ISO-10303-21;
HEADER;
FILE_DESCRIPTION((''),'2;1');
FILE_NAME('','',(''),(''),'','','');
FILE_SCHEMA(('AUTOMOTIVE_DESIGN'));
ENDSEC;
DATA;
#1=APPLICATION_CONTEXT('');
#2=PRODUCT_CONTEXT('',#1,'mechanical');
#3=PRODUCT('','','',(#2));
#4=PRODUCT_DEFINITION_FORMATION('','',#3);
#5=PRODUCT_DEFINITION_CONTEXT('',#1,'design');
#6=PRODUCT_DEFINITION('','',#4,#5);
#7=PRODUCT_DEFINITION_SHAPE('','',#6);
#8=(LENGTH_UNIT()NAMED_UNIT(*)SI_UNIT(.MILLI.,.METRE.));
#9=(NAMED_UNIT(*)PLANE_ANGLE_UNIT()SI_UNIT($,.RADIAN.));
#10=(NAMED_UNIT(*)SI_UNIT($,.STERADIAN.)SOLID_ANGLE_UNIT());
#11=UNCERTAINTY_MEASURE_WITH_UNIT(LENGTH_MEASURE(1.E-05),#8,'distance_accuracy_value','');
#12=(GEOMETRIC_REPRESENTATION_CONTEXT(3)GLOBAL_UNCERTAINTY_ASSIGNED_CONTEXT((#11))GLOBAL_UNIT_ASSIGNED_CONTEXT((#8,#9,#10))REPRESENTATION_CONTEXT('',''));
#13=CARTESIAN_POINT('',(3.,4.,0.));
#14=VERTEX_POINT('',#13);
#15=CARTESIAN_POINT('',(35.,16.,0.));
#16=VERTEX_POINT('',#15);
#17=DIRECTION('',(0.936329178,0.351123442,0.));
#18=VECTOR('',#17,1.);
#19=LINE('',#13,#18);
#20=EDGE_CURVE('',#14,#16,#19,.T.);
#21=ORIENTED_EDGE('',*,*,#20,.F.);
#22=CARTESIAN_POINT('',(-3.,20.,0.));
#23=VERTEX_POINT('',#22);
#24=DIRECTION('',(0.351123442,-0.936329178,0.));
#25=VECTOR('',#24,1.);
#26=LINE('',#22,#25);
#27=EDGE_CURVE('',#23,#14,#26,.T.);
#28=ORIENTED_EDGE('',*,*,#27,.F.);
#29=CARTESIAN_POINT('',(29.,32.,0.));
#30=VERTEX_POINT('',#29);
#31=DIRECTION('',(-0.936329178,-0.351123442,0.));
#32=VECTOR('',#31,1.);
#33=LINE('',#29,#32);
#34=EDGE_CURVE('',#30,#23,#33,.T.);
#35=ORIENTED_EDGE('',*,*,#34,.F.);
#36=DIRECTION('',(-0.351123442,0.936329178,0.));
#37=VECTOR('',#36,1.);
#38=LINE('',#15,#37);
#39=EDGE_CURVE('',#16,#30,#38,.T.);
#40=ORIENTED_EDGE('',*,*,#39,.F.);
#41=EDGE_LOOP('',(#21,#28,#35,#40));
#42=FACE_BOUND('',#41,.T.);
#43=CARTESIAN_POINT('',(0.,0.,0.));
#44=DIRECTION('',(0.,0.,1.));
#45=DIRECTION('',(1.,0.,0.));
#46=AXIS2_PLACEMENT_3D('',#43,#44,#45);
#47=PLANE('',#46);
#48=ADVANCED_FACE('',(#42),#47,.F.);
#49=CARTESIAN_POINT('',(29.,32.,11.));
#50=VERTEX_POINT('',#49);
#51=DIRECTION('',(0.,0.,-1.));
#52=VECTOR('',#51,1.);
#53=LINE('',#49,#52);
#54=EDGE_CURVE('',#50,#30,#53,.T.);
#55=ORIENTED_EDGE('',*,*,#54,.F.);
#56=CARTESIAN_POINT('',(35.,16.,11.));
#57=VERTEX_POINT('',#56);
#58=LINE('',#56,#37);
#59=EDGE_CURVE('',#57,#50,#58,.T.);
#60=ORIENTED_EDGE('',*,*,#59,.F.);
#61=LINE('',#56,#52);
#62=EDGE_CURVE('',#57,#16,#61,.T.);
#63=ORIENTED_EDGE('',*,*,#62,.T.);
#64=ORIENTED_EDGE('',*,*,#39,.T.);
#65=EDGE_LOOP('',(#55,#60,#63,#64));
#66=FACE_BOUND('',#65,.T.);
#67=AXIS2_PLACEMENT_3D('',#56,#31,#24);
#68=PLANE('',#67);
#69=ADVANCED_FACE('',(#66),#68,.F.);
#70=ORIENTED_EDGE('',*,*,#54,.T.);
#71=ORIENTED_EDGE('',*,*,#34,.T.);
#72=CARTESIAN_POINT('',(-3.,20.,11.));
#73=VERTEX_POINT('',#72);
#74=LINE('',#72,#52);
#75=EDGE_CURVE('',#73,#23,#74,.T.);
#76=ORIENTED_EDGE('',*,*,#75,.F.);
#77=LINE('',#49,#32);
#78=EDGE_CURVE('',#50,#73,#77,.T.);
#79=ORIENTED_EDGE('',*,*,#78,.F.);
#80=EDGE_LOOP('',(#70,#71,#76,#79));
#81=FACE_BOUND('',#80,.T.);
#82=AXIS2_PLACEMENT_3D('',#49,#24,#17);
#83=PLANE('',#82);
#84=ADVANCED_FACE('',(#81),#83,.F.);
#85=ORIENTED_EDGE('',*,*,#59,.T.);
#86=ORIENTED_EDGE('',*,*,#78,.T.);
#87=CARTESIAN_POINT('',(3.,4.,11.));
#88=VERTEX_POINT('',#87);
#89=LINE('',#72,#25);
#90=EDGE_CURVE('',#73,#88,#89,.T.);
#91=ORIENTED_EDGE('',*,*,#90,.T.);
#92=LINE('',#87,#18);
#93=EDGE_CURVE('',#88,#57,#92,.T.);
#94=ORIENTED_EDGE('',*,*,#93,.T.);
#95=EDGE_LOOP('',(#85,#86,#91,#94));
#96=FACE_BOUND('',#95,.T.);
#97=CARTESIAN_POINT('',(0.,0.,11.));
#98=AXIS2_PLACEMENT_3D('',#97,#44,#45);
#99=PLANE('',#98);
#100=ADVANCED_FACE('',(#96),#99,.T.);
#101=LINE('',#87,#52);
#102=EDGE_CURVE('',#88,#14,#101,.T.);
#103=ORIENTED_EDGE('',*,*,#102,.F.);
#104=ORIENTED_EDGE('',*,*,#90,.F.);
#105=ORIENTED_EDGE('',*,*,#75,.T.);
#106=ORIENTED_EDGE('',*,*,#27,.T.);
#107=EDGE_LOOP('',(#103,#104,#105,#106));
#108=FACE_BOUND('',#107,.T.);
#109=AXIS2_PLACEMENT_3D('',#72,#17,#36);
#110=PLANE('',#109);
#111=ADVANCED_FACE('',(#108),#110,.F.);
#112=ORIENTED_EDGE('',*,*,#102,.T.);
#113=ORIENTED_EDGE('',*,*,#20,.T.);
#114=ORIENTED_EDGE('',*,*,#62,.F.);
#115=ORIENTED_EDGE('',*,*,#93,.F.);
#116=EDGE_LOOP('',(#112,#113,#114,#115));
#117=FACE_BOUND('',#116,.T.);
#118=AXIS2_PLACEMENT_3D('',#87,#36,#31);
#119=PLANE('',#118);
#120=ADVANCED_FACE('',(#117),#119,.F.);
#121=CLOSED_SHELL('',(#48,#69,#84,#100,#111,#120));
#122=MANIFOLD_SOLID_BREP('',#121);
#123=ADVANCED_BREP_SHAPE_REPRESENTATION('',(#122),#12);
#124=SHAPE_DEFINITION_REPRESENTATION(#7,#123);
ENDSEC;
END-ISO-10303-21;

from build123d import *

# Parameters (mm, degrees)
BOSS_EXTRUDE1_DEPTH = 11


with BuildPart() as part:
    # Sketch1 → Boss-Extrude1 (new body)
    with BuildSketch(Plane.XY):
        Polygon((3, 4), (35, 16), (29, 32), (-3, 20), align=None)
    extrude(amount=BOSS_EXTRUDE1_DEPTH)


solid = part.part
